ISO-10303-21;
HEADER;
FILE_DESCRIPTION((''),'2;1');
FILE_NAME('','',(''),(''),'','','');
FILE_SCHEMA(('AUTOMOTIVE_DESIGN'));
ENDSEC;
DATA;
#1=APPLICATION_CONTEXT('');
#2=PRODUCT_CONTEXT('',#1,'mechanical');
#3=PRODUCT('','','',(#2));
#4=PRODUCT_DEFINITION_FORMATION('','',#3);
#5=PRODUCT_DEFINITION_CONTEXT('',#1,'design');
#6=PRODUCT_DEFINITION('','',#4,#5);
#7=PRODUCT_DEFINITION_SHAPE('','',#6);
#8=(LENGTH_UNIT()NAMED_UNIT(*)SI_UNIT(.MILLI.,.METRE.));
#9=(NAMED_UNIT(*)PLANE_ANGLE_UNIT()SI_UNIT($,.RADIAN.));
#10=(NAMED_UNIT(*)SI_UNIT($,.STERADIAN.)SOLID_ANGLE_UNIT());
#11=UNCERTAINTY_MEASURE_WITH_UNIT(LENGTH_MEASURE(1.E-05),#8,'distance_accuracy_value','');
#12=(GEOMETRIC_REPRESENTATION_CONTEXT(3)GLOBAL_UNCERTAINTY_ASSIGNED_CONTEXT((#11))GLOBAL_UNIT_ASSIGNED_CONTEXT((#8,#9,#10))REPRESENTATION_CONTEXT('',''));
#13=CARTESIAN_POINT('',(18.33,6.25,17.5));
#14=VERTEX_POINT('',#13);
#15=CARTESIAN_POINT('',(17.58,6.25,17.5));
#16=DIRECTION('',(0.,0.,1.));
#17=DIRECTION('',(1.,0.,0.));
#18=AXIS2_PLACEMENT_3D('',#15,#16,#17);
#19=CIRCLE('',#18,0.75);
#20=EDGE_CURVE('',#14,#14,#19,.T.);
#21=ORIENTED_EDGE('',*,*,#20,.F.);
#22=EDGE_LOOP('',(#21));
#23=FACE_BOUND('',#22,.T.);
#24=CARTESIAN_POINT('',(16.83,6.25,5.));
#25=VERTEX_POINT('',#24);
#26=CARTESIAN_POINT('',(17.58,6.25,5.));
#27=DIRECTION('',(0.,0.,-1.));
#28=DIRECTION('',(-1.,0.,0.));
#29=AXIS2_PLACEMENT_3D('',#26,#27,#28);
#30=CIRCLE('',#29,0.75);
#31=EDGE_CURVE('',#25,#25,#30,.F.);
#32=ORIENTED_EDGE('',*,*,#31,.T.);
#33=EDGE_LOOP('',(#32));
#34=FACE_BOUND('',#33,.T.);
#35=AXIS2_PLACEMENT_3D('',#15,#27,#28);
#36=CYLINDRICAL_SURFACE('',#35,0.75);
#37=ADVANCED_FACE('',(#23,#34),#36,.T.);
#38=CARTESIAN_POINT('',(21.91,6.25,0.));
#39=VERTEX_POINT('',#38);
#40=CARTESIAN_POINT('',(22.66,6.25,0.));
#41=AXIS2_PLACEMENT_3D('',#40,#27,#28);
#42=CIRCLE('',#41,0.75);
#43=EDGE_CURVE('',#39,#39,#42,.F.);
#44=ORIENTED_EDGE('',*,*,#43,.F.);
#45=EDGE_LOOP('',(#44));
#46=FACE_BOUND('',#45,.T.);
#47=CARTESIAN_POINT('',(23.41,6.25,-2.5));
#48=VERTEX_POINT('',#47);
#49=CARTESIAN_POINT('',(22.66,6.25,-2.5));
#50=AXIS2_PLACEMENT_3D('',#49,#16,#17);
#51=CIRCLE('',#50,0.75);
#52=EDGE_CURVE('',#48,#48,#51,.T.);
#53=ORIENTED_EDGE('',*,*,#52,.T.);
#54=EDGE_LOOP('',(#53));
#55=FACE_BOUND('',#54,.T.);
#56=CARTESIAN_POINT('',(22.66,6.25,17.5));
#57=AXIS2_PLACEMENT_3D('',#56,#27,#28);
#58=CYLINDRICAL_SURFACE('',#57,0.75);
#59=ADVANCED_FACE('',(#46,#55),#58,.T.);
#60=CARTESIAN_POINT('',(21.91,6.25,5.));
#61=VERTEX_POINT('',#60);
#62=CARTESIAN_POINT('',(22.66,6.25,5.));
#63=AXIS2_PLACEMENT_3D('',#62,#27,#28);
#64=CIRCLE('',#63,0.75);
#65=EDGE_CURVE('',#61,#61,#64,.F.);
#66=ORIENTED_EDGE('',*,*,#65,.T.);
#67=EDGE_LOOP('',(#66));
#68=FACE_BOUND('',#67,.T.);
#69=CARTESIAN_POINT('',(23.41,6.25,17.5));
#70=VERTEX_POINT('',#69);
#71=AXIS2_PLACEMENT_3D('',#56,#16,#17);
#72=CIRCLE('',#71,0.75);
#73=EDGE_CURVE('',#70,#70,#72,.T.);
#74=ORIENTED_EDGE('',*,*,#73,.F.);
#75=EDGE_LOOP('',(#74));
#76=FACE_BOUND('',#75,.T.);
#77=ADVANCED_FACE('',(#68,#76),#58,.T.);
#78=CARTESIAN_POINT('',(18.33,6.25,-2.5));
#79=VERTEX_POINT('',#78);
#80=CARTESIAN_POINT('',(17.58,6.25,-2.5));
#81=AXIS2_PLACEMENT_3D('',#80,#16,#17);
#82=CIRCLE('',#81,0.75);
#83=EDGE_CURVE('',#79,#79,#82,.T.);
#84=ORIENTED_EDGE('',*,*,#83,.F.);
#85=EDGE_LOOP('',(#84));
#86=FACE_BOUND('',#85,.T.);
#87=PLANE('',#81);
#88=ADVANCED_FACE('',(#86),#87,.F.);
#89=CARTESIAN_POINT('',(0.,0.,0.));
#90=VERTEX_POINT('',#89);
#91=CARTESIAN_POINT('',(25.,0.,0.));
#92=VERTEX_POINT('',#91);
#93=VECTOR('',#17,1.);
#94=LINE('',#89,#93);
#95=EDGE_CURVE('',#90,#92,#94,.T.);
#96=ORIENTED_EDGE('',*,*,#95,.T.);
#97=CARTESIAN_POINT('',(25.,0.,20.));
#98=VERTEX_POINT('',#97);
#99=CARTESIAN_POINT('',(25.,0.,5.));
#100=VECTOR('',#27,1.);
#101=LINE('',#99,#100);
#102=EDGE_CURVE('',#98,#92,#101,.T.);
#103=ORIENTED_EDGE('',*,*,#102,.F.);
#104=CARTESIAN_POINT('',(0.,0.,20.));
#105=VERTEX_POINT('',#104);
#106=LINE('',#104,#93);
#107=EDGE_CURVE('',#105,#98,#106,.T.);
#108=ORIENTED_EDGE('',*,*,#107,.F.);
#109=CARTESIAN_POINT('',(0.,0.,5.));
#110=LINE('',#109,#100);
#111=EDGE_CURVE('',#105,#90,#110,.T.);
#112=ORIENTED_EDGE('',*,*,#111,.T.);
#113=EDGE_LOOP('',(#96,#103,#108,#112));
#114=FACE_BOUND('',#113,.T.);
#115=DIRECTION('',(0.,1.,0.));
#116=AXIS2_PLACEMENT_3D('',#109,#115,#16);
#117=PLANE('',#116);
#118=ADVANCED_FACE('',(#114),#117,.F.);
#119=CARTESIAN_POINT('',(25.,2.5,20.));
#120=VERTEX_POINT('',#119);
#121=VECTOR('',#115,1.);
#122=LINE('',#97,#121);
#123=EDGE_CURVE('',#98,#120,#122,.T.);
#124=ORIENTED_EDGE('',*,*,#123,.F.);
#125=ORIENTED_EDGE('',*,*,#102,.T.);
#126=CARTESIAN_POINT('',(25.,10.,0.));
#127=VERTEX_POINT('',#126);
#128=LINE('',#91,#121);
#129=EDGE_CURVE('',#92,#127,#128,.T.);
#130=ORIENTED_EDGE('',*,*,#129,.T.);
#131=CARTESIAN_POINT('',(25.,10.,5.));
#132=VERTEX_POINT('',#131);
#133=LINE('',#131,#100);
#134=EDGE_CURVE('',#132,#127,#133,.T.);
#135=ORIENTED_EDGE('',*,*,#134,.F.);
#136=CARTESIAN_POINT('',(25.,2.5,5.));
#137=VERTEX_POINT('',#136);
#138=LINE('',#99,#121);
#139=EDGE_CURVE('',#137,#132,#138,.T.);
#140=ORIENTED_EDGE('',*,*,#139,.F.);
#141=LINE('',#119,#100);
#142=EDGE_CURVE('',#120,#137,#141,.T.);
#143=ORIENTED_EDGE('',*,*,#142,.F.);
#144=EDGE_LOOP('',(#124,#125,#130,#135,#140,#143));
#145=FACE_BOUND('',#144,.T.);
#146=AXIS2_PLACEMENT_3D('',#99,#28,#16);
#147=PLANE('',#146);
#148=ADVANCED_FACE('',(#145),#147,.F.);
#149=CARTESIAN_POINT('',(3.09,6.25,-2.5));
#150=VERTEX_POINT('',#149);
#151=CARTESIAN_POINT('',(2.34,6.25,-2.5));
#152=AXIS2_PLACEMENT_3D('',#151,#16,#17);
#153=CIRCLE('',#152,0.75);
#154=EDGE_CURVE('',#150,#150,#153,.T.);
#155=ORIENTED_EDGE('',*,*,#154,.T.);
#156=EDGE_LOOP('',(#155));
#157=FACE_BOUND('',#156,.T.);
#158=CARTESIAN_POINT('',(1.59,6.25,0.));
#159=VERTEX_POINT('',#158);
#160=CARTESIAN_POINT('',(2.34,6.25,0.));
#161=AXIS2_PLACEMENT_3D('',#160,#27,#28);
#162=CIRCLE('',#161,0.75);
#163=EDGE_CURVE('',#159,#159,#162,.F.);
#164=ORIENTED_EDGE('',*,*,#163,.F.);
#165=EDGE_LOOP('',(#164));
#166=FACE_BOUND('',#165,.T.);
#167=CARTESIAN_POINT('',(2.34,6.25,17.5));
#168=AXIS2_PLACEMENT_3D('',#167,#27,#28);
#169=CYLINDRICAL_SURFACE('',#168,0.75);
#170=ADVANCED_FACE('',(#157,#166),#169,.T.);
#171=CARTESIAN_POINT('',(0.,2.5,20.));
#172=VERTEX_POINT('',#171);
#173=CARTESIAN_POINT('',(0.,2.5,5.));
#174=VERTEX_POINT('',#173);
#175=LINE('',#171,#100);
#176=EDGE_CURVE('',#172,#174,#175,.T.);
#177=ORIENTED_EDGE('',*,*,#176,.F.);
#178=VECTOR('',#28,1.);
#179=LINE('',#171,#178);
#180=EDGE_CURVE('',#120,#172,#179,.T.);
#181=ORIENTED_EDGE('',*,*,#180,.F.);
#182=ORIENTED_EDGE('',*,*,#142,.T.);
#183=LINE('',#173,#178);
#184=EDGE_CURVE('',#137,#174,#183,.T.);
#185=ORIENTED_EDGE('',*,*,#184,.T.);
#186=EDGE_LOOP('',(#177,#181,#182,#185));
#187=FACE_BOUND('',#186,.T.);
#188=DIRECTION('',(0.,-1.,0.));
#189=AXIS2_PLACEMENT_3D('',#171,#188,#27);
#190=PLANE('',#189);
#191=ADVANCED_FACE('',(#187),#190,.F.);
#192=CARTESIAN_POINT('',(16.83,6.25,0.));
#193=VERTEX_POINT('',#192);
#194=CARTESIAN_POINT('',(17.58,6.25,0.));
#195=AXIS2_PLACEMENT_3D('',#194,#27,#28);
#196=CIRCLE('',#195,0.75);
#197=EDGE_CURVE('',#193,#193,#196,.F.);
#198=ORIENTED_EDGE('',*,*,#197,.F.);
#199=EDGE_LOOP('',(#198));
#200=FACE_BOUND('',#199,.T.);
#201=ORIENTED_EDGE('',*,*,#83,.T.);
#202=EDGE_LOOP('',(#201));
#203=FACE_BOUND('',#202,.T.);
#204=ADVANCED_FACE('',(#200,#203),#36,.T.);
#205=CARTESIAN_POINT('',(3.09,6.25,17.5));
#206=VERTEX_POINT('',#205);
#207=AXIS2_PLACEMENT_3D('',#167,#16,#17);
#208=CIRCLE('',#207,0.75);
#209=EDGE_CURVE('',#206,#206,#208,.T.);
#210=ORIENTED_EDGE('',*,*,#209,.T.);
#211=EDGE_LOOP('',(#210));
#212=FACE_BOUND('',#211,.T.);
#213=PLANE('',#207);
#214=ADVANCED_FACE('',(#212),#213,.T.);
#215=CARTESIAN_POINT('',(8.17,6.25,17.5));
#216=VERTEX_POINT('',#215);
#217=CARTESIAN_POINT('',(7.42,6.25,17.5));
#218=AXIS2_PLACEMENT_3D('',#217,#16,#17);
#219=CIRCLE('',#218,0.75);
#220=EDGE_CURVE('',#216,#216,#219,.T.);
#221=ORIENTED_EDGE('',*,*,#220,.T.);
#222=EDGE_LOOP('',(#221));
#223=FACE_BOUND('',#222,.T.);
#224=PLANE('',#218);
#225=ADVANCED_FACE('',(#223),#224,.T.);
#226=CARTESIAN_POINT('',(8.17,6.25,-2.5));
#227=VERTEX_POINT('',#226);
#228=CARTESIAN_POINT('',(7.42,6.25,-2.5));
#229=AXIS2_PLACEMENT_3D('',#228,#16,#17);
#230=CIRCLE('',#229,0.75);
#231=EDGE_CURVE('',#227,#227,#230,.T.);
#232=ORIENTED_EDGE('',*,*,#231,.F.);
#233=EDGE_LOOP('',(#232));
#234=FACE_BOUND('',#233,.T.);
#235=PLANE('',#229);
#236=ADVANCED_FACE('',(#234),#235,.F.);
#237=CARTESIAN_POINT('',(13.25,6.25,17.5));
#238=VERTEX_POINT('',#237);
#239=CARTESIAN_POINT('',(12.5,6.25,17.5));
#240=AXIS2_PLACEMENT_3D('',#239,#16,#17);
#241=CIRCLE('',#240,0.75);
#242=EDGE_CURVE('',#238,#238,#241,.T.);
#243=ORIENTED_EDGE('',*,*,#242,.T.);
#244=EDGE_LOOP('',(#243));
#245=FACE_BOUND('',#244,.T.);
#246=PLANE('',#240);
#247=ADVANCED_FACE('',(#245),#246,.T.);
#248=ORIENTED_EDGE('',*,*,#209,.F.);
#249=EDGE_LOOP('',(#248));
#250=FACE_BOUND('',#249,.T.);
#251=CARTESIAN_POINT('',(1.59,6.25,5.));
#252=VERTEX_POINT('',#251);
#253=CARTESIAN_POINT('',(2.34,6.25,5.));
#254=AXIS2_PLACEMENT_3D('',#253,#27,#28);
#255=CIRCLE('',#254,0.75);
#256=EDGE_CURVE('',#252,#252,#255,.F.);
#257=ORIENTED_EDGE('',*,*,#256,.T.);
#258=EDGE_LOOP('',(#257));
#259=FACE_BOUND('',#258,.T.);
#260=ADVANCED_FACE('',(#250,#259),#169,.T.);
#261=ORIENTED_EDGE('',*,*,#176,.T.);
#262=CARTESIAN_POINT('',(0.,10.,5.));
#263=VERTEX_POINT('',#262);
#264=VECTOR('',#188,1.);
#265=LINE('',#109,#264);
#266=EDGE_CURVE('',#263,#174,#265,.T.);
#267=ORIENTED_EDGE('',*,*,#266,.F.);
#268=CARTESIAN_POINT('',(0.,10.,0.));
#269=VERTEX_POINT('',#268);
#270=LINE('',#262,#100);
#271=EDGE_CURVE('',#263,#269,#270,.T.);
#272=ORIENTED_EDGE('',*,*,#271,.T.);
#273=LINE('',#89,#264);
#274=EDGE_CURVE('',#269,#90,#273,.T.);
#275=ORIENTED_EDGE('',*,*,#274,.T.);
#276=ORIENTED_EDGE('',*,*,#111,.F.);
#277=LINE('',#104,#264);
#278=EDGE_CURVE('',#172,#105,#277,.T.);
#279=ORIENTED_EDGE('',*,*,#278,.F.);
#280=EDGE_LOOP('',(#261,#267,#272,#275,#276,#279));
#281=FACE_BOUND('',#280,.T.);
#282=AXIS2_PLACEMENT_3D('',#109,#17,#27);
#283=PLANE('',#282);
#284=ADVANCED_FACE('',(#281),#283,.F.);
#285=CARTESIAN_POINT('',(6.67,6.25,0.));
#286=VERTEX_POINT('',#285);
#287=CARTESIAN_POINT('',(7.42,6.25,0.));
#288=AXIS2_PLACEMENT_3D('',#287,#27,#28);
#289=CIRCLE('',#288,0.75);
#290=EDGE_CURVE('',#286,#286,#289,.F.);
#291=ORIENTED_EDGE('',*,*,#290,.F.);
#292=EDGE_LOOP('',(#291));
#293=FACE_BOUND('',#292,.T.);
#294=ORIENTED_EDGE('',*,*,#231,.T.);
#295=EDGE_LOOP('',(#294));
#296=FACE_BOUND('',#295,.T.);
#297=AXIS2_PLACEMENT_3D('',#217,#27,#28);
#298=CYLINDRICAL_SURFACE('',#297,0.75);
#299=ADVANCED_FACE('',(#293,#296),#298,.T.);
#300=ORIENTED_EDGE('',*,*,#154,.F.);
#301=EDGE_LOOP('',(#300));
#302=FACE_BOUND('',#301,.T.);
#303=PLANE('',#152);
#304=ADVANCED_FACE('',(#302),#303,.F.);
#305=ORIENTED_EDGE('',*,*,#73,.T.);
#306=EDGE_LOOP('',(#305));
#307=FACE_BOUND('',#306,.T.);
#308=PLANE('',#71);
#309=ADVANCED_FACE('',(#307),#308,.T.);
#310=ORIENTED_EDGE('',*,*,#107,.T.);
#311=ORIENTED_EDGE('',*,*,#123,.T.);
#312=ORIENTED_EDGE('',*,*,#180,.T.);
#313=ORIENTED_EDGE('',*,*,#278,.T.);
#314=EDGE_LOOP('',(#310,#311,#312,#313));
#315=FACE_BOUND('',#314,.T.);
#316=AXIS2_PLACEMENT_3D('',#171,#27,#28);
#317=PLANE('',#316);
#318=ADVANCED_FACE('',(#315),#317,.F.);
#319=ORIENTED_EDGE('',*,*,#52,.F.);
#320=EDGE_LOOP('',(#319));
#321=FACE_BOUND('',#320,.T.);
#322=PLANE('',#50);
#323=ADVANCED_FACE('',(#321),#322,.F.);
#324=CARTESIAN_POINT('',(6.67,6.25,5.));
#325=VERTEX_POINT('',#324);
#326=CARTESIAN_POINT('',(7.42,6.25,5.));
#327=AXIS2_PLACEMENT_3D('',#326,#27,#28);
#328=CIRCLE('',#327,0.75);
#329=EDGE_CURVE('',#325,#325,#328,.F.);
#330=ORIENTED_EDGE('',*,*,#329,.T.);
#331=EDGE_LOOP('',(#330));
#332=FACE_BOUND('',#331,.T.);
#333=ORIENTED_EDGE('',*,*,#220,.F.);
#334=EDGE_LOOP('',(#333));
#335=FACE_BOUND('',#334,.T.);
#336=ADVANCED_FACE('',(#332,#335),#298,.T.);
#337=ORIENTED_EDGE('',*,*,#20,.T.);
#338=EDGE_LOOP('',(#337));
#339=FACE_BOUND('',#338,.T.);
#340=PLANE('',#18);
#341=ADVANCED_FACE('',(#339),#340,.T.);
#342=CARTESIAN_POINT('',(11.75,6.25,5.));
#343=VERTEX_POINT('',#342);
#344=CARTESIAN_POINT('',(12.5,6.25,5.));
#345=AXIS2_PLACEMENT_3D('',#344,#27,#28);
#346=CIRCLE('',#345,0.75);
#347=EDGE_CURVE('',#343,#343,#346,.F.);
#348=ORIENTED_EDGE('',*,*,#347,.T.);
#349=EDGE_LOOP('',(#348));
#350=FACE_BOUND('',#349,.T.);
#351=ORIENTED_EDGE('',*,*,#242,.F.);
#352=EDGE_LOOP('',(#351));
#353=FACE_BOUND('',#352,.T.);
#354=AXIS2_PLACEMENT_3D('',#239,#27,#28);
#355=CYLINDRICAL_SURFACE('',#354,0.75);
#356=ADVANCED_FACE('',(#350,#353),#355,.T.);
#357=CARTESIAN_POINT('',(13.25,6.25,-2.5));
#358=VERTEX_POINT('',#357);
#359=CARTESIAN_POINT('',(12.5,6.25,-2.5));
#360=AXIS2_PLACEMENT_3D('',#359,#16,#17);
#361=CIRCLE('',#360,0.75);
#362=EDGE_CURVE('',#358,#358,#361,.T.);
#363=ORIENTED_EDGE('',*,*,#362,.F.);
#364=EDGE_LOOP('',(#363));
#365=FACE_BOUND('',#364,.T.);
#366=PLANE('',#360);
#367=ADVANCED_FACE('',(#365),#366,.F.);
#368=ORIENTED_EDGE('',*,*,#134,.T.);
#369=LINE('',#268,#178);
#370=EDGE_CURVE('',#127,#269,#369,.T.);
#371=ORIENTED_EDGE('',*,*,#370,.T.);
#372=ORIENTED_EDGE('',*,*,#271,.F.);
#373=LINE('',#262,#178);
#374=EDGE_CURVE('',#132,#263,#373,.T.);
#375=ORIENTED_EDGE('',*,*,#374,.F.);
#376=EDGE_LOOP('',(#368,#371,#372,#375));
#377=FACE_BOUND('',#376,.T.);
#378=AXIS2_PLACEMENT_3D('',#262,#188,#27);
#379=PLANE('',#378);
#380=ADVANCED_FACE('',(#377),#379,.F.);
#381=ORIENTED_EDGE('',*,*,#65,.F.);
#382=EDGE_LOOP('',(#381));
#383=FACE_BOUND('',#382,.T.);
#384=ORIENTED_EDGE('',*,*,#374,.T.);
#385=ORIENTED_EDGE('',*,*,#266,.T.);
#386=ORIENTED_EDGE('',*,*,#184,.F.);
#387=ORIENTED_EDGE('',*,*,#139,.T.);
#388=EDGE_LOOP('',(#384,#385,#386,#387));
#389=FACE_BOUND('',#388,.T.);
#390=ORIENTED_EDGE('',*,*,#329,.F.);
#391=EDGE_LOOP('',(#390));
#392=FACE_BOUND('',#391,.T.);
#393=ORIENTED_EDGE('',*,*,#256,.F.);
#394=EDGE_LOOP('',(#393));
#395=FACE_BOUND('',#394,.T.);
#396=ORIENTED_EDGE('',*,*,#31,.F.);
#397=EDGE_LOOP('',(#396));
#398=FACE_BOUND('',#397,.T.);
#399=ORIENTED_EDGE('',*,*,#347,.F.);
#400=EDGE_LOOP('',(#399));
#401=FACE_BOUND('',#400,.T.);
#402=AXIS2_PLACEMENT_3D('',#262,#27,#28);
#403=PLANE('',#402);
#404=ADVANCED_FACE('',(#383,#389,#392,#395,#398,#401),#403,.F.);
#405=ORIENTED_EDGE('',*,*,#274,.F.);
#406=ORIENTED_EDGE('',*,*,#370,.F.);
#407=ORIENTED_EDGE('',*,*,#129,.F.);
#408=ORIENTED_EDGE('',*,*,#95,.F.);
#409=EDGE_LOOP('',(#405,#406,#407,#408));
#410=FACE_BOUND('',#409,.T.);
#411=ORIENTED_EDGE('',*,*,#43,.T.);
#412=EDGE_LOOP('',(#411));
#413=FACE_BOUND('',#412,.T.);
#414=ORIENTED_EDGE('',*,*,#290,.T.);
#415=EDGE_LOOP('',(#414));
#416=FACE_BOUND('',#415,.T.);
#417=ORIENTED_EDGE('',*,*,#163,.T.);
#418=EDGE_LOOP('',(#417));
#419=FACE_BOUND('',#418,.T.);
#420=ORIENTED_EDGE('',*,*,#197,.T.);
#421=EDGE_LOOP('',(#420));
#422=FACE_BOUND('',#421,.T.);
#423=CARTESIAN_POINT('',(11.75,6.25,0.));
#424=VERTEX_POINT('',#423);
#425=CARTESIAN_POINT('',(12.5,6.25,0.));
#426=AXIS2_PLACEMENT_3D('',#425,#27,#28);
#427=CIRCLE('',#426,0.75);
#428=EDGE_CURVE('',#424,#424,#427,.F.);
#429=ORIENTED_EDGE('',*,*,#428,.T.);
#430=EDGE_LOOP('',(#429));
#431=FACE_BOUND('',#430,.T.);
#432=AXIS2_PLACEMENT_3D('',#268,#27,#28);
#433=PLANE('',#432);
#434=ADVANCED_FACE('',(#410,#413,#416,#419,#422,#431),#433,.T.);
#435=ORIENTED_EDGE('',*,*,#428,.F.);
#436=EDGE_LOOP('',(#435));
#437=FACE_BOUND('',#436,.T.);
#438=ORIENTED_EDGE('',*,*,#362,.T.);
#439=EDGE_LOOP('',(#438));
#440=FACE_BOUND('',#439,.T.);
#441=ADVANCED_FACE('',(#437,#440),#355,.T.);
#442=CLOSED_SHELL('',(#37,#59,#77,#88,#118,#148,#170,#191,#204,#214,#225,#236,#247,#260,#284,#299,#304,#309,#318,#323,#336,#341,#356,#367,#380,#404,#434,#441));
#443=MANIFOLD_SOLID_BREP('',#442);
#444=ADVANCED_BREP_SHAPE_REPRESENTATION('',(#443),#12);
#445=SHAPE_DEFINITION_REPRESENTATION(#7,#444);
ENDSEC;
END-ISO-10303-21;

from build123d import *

# Parameters (mm, degrees)
SKETCH_1_W           = 25
SKETCH_1_H           = 10
EXTRUDE_1_DEPTH      = 5
SKETCH_2_W           = 25
SKETCH_2_H           = 2.5
EXTRUDE_2_DEPTH      = 15
EXTRUDE_3_DEPTH      = 12.5
EXTRUDE_3_DEPTH_BACK = 7.5
SKETCH_3_R           = 0.75


with BuildPart() as part:
    # Эскиз1 → Вытянуть1 (new body)
    with BuildSketch(Plane.XY):
        with Locations((12.5, 5)):
            Rectangle(SKETCH_1_W, SKETCH_1_H)
    extrude(amount=EXTRUDE_1_DEPTH)

    # Эскиз2 → Вытянуть2 (add)
    with BuildSketch(Plane.XY.offset(5)):
        with Locations((12.5, 1.25)):
            Rectangle(SKETCH_2_W, SKETCH_2_H)
    extrude(amount=EXTRUDE_2_DEPTH)

    # Эскиз3 → Вытянуть3 (add, two sides: drawn at the far end of the back side and taken through both)
    with BuildSketch(Plane.XY.offset(5).offset(-EXTRUDE_3_DEPTH_BACK)):
        with Locations((17.58, 6.25)):
            Circle(SKETCH_3_R)
        with Locations((22.66, 6.25)):
            Circle(SKETCH_3_R)
        with Locations((2.34, 6.25)):
            Circle(SKETCH_3_R)
        with Locations((7.42, 6.25)):
            Circle(SKETCH_3_R)
        with Locations((12.5, 6.25)):
            Circle(SKETCH_3_R)
    extrude(amount=EXTRUDE_3_DEPTH + EXTRUDE_3_DEPTH_BACK)


solid = part.part
